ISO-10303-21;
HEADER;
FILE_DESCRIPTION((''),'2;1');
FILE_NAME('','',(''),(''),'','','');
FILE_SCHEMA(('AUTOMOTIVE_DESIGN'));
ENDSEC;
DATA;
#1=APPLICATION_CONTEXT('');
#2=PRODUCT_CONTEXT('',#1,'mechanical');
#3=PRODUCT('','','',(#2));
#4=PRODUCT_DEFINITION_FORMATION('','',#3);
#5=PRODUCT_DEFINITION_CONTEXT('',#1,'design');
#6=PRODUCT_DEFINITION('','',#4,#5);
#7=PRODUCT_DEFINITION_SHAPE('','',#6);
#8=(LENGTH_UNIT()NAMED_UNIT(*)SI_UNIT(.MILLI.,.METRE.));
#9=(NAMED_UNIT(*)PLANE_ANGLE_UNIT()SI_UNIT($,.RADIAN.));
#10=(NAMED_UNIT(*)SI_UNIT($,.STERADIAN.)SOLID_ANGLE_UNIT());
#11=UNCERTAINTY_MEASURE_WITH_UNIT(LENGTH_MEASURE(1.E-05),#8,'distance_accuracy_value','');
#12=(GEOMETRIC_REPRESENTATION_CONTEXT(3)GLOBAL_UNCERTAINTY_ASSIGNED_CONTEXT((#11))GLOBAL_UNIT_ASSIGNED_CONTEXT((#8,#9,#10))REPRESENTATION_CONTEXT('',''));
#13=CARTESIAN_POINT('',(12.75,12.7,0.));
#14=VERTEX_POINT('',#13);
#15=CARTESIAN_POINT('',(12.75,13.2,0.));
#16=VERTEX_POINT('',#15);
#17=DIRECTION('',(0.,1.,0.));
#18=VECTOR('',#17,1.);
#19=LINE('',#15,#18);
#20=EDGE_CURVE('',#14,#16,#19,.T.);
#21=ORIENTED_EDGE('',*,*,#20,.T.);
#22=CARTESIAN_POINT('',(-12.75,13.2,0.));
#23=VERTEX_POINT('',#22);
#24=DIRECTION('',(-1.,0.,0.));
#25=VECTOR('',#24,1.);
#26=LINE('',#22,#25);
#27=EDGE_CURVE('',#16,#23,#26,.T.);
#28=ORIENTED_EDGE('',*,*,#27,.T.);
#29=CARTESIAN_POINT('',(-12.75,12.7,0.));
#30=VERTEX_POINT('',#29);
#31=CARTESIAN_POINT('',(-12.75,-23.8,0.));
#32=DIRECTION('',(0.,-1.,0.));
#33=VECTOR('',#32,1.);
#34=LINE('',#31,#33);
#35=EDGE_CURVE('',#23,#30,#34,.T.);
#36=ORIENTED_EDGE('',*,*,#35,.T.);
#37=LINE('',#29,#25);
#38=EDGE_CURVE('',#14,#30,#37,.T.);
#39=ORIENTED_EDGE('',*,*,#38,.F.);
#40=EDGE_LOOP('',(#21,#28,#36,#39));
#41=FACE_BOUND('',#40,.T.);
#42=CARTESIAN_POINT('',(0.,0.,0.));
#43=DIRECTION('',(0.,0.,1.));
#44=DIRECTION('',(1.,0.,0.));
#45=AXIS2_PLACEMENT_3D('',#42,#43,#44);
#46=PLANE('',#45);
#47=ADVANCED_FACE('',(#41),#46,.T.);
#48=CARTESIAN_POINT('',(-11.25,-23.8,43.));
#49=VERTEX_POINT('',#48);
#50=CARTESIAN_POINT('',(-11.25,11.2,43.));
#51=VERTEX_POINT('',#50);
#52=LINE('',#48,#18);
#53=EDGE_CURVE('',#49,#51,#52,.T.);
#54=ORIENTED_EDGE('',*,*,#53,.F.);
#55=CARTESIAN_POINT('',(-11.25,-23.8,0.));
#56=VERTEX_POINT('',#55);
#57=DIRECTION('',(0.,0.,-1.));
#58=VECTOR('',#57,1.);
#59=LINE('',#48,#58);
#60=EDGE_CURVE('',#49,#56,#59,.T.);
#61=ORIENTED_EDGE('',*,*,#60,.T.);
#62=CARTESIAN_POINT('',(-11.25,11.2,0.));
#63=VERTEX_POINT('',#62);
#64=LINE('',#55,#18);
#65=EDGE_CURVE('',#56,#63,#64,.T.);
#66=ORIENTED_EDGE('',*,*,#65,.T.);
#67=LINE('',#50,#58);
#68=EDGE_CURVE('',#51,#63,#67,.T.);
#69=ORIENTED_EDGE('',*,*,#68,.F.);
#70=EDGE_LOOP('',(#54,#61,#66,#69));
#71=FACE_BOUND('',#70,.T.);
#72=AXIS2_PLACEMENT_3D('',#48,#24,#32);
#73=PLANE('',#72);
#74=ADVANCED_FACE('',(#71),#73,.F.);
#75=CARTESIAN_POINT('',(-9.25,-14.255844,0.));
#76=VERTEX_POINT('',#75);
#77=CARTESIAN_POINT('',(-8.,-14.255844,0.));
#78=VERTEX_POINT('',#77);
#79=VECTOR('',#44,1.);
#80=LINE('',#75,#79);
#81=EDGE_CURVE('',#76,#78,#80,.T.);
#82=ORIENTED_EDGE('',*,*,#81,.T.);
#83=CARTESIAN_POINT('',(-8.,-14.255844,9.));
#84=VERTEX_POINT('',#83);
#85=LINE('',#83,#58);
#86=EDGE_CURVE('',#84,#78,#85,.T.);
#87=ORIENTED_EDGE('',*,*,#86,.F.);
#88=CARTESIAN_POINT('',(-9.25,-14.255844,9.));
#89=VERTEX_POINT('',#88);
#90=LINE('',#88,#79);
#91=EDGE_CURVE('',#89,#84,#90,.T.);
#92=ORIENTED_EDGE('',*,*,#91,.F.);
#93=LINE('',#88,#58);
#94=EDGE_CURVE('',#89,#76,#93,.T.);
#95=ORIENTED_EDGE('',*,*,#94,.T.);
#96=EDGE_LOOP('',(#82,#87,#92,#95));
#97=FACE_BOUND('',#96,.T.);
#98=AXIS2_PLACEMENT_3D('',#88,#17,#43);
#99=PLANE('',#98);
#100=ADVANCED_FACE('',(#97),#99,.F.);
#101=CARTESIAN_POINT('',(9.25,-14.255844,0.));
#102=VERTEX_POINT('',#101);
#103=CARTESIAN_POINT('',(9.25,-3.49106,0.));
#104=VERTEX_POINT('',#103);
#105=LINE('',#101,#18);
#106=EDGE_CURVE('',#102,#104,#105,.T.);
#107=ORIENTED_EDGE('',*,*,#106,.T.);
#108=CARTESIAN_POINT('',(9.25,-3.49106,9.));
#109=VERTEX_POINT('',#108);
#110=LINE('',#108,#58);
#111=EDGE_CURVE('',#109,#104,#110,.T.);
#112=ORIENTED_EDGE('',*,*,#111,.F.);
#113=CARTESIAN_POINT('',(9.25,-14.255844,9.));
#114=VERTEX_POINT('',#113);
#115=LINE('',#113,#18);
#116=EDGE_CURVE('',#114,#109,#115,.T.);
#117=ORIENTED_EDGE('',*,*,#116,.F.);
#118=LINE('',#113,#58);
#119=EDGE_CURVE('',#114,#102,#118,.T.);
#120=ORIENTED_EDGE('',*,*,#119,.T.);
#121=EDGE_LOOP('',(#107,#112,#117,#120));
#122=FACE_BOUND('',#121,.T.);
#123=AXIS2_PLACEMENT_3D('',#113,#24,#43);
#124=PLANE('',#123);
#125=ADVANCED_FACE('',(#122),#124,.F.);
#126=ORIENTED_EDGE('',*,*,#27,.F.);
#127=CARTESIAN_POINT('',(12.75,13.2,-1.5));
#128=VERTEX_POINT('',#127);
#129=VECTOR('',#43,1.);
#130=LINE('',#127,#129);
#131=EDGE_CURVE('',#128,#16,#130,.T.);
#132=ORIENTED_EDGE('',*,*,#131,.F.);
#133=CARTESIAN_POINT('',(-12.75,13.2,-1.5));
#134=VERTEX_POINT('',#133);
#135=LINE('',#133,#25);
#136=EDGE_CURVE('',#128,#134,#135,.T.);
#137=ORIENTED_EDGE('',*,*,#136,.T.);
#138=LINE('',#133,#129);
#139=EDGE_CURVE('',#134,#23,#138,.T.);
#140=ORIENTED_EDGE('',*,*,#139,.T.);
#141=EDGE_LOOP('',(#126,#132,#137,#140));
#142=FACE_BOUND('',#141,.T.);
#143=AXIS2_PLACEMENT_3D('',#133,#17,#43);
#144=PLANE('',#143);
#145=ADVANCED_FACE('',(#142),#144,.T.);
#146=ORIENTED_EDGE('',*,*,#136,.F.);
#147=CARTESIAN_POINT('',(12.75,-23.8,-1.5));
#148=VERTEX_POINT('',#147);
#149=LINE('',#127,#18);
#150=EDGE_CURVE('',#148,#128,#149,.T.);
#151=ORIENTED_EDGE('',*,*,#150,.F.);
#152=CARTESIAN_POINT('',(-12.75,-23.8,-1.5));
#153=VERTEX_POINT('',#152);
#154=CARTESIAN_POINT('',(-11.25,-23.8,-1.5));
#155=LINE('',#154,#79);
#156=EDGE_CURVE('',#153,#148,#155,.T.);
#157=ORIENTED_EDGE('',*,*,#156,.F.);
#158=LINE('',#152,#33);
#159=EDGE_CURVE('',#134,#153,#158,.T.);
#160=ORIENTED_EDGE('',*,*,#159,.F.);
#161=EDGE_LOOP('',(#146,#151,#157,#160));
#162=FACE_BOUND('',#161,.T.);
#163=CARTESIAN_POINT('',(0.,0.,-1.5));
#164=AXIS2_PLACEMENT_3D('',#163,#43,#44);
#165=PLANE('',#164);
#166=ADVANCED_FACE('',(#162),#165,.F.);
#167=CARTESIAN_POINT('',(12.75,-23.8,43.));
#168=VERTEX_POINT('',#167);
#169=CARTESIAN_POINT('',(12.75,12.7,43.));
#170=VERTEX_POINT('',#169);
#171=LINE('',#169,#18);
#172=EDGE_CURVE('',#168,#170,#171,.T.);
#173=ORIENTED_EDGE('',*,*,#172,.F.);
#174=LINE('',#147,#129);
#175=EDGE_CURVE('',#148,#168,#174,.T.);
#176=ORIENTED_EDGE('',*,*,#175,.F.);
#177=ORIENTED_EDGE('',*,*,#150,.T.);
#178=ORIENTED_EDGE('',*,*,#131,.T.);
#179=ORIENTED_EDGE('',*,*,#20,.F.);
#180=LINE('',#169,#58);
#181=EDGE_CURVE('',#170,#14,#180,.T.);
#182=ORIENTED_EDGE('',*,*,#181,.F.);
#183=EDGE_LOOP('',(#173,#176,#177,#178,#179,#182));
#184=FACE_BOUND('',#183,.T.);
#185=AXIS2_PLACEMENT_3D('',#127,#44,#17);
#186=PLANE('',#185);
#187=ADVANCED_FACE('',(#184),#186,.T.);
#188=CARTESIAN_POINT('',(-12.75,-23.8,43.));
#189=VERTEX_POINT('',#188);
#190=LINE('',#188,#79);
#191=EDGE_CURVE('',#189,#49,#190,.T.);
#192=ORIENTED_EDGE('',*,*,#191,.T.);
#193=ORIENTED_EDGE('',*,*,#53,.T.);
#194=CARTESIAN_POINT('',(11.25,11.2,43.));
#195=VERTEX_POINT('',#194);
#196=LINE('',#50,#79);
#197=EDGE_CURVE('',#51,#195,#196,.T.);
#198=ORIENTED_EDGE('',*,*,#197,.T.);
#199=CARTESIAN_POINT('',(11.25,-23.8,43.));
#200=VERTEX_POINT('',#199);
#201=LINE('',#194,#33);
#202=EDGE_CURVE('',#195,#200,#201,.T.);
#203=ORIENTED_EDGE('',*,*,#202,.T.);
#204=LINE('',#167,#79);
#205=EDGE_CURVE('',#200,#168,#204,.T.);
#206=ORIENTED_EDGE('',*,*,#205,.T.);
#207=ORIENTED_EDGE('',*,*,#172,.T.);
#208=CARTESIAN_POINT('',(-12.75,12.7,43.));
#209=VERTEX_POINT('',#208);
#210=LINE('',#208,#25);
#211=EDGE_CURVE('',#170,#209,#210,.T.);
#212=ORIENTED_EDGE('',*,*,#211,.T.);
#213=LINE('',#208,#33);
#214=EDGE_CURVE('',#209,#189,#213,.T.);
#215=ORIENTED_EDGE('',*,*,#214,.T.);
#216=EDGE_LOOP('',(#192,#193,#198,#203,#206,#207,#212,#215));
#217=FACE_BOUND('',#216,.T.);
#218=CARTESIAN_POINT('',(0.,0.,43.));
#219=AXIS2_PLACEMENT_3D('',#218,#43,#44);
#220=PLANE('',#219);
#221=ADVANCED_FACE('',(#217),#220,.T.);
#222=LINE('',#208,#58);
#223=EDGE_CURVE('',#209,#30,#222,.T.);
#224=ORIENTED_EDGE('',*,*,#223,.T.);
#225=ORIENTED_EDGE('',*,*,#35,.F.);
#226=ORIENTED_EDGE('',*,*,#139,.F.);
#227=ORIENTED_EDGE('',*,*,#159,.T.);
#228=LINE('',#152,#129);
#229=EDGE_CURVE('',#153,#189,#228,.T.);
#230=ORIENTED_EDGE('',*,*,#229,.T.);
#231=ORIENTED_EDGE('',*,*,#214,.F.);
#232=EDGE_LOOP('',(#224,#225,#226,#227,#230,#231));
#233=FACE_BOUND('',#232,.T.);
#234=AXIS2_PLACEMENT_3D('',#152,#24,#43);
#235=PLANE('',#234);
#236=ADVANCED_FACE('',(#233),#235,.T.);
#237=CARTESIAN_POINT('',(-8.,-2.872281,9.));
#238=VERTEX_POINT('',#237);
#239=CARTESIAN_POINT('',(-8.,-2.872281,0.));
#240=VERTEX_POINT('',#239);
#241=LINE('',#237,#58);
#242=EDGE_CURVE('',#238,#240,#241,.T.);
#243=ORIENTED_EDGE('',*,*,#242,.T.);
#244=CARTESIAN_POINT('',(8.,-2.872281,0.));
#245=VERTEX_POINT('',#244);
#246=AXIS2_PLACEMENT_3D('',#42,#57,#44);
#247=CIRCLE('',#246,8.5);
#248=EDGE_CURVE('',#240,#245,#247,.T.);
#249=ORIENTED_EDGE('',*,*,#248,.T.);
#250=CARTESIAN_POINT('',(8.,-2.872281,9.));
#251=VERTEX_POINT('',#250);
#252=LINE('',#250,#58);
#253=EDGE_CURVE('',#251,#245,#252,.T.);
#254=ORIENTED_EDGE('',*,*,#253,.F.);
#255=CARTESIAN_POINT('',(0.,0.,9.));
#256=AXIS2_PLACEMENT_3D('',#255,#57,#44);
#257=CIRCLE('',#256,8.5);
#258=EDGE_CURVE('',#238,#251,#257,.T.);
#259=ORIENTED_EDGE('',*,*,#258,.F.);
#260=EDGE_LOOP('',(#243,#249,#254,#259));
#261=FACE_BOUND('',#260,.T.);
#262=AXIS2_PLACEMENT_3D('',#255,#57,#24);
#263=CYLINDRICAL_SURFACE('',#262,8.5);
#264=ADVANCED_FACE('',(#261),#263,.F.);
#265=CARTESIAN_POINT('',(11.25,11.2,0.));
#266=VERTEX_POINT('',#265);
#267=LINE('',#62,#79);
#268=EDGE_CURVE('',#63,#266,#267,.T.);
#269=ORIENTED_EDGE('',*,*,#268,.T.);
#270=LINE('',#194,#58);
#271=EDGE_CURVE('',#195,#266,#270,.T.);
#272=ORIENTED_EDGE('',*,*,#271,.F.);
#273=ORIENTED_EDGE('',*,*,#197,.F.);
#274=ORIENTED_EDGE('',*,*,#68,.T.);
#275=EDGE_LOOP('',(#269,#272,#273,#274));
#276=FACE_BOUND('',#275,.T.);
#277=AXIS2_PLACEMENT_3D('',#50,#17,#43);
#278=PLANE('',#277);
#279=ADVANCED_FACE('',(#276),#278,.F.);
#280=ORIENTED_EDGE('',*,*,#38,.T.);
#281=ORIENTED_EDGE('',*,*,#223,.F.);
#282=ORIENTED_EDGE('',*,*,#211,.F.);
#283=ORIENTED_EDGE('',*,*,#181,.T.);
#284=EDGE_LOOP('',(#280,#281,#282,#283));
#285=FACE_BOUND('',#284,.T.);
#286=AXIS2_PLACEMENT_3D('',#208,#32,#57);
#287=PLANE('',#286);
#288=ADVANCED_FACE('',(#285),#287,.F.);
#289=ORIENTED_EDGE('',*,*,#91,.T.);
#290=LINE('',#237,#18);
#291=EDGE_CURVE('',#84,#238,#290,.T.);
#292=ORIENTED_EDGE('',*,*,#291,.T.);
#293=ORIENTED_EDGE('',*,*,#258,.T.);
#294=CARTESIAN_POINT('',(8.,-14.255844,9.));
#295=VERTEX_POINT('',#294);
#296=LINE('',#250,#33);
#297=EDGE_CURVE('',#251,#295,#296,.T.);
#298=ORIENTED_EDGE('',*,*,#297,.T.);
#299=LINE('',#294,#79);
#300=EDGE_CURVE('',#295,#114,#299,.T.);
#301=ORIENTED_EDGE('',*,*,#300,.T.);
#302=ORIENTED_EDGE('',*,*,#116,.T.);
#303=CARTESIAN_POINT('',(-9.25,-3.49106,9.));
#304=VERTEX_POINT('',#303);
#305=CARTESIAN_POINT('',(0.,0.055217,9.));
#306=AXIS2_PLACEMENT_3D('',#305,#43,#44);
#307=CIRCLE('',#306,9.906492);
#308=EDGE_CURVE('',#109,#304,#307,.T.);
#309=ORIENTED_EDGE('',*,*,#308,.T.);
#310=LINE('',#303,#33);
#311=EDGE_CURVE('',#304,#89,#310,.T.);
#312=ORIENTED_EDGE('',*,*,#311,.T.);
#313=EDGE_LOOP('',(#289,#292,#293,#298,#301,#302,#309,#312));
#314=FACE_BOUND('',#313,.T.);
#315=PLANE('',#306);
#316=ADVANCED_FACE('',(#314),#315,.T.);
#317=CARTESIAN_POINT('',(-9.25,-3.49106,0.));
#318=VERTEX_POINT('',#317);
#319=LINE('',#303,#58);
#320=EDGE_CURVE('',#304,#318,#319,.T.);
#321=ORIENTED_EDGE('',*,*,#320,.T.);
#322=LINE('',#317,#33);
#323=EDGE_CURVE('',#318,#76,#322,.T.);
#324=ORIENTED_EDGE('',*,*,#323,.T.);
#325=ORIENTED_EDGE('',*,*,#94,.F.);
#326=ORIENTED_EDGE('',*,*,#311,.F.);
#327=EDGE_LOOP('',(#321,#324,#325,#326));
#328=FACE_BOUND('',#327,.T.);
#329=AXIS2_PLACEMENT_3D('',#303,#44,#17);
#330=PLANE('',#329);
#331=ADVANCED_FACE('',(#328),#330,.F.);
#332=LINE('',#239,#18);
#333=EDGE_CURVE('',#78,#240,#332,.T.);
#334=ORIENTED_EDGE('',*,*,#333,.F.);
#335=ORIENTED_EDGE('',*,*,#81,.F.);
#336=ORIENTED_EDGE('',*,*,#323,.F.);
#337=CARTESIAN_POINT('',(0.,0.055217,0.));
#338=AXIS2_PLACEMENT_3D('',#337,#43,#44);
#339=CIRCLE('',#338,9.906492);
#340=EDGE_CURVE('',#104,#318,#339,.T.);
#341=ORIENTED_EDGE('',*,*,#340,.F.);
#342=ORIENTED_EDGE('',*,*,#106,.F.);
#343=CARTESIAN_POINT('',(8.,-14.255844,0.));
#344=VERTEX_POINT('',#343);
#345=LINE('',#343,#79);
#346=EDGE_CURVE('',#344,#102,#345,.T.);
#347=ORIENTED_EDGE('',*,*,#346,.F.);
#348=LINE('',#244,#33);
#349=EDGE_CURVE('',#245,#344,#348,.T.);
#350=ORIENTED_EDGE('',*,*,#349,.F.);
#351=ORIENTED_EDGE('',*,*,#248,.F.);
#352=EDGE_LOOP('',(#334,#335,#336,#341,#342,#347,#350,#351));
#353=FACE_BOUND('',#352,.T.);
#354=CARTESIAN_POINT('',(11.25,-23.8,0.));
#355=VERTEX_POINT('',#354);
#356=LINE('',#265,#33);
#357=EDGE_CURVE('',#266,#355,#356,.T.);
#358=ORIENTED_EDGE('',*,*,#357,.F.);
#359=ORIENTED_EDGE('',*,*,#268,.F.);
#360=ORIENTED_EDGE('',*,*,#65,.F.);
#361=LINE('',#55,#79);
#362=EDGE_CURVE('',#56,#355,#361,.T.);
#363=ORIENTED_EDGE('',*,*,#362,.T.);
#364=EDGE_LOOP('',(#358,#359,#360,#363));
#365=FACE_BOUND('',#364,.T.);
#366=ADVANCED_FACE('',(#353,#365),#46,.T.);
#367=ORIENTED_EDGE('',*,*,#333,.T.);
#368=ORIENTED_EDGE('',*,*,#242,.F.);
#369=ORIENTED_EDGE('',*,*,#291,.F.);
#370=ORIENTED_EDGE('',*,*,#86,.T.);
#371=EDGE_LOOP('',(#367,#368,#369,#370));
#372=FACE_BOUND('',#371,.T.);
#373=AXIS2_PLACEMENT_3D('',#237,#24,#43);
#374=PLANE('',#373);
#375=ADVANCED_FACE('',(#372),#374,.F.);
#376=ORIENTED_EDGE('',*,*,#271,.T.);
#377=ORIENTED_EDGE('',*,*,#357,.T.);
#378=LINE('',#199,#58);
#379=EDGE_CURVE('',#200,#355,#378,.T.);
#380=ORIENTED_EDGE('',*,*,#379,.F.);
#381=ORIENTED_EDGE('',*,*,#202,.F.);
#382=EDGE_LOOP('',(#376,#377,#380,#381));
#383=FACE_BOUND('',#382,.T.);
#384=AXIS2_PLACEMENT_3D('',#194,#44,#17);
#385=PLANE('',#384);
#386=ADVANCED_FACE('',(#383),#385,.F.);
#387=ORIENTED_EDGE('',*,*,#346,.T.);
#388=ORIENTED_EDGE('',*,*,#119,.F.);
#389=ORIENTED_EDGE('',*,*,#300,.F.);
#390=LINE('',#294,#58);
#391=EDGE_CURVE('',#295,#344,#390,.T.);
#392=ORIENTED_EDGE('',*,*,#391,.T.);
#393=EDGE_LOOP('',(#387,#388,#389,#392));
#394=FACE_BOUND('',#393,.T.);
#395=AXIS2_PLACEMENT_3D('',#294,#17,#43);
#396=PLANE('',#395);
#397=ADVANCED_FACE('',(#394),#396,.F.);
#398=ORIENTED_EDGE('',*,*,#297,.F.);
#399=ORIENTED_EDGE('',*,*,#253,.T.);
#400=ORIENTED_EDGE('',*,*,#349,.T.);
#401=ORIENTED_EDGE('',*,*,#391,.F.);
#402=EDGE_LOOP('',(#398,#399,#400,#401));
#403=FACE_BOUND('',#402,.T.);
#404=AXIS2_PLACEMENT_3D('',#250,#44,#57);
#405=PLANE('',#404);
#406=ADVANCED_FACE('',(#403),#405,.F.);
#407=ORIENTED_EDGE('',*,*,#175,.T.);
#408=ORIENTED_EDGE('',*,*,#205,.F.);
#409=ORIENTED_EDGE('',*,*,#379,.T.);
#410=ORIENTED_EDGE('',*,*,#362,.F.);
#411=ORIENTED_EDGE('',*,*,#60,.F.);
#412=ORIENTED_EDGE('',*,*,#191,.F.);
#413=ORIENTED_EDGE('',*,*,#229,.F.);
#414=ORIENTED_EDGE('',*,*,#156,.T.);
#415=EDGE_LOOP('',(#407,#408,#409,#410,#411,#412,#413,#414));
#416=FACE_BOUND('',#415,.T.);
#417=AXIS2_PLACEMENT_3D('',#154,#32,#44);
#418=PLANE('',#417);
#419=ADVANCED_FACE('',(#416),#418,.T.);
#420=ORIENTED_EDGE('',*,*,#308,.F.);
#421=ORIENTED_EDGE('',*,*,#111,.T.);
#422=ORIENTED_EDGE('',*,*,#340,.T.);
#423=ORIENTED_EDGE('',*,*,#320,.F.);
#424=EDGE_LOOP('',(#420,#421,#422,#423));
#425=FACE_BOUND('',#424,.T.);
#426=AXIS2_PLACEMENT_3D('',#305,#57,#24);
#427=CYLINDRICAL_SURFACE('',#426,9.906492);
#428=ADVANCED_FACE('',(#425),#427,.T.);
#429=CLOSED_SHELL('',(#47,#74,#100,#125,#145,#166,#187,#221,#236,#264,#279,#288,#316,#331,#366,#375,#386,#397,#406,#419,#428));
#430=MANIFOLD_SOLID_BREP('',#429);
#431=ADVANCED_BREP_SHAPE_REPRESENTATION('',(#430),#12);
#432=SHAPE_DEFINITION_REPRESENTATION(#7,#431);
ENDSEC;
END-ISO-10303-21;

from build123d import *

# Parameters (mm, degrees)
BOSS_EXTRUDE1_DEPTH = 9
SKETCH3_W           = 22.5
SKETCH3_H           = 35
BOSS_EXTRUDE2_DEPTH = 1.5
BOSS_EXTRUDE5_DEPTH = 43
BOSS_EXTRUDE6_DEPTH = 1.5


with BuildPart() as part:
    # Sketch1 → Boss-Extrude1 (new body)
    with BuildSketch(Plane.XY):
        with BuildLine():
            Line((8, -2.872281323), (8, -14.255843504))
            Line((8, -14.255843504), (9.25, -14.255843504))
            Line((9.25, -14.255843504), (9.25, -3.491060011))
            ThreePointArc((9.25, -3.491060011), (0, 9.961709327), (-9.25, -3.491060011))
            Line((-9.25, -3.491060011), (-9.25, -14.255843504))
            Line((-9.25, -14.255843504), (-8, -14.255843504))
            Line((-8, -14.255843504), (-8, -2.872281323))
            ThreePointArc((-8, -2.872281323), (0, 8.5), (8, -2.872281323))
        make_face()
    extrude(amount=BOSS_EXTRUDE1_DEPTH)

    # Sketch3 → Boss-Extrude2 (add)
    with BuildSketch(Plane.XY):
        with Locations((0, -6.3)):
            Rectangle(SKETCH3_W, SKETCH3_H)
    extrude(amount=-BOSS_EXTRUDE2_DEPTH)



with BuildPart() as body_2:
    # Sketch9 → Boss-Extrude5 (new body)
    with BuildSketch(Plane.XY):
        Polygon((-12.75, 12.7), (12.75, 12.7), (12.75, -23.8), (11.25, -23.8), (11.25, 11.2), (-11.25, 11.2), (-11.25, -23.8), (-12.75, -23.8), align=None)
    extrude(amount=BOSS_EXTRUDE5_DEPTH)


with BuildPart() as part_1:
    add(part.part)

    add(body_2.part)  # Boss-Extrude6 merges body 2
    # Sketch10 → Boss-Extrude6 (add)
    with BuildSketch(Plane.XY):
        Polygon((-12.75, 13.2), (12.75, 13.2), (12.75, -23.8), (11.25, -23.8), (11.25, 11.2), (-11.25, 11.2), (-11.25, -23.8), (-12.75, -23.8), align=None)
    extrude(amount=-BOSS_EXTRUDE6_DEPTH)


solid = part_1.part
